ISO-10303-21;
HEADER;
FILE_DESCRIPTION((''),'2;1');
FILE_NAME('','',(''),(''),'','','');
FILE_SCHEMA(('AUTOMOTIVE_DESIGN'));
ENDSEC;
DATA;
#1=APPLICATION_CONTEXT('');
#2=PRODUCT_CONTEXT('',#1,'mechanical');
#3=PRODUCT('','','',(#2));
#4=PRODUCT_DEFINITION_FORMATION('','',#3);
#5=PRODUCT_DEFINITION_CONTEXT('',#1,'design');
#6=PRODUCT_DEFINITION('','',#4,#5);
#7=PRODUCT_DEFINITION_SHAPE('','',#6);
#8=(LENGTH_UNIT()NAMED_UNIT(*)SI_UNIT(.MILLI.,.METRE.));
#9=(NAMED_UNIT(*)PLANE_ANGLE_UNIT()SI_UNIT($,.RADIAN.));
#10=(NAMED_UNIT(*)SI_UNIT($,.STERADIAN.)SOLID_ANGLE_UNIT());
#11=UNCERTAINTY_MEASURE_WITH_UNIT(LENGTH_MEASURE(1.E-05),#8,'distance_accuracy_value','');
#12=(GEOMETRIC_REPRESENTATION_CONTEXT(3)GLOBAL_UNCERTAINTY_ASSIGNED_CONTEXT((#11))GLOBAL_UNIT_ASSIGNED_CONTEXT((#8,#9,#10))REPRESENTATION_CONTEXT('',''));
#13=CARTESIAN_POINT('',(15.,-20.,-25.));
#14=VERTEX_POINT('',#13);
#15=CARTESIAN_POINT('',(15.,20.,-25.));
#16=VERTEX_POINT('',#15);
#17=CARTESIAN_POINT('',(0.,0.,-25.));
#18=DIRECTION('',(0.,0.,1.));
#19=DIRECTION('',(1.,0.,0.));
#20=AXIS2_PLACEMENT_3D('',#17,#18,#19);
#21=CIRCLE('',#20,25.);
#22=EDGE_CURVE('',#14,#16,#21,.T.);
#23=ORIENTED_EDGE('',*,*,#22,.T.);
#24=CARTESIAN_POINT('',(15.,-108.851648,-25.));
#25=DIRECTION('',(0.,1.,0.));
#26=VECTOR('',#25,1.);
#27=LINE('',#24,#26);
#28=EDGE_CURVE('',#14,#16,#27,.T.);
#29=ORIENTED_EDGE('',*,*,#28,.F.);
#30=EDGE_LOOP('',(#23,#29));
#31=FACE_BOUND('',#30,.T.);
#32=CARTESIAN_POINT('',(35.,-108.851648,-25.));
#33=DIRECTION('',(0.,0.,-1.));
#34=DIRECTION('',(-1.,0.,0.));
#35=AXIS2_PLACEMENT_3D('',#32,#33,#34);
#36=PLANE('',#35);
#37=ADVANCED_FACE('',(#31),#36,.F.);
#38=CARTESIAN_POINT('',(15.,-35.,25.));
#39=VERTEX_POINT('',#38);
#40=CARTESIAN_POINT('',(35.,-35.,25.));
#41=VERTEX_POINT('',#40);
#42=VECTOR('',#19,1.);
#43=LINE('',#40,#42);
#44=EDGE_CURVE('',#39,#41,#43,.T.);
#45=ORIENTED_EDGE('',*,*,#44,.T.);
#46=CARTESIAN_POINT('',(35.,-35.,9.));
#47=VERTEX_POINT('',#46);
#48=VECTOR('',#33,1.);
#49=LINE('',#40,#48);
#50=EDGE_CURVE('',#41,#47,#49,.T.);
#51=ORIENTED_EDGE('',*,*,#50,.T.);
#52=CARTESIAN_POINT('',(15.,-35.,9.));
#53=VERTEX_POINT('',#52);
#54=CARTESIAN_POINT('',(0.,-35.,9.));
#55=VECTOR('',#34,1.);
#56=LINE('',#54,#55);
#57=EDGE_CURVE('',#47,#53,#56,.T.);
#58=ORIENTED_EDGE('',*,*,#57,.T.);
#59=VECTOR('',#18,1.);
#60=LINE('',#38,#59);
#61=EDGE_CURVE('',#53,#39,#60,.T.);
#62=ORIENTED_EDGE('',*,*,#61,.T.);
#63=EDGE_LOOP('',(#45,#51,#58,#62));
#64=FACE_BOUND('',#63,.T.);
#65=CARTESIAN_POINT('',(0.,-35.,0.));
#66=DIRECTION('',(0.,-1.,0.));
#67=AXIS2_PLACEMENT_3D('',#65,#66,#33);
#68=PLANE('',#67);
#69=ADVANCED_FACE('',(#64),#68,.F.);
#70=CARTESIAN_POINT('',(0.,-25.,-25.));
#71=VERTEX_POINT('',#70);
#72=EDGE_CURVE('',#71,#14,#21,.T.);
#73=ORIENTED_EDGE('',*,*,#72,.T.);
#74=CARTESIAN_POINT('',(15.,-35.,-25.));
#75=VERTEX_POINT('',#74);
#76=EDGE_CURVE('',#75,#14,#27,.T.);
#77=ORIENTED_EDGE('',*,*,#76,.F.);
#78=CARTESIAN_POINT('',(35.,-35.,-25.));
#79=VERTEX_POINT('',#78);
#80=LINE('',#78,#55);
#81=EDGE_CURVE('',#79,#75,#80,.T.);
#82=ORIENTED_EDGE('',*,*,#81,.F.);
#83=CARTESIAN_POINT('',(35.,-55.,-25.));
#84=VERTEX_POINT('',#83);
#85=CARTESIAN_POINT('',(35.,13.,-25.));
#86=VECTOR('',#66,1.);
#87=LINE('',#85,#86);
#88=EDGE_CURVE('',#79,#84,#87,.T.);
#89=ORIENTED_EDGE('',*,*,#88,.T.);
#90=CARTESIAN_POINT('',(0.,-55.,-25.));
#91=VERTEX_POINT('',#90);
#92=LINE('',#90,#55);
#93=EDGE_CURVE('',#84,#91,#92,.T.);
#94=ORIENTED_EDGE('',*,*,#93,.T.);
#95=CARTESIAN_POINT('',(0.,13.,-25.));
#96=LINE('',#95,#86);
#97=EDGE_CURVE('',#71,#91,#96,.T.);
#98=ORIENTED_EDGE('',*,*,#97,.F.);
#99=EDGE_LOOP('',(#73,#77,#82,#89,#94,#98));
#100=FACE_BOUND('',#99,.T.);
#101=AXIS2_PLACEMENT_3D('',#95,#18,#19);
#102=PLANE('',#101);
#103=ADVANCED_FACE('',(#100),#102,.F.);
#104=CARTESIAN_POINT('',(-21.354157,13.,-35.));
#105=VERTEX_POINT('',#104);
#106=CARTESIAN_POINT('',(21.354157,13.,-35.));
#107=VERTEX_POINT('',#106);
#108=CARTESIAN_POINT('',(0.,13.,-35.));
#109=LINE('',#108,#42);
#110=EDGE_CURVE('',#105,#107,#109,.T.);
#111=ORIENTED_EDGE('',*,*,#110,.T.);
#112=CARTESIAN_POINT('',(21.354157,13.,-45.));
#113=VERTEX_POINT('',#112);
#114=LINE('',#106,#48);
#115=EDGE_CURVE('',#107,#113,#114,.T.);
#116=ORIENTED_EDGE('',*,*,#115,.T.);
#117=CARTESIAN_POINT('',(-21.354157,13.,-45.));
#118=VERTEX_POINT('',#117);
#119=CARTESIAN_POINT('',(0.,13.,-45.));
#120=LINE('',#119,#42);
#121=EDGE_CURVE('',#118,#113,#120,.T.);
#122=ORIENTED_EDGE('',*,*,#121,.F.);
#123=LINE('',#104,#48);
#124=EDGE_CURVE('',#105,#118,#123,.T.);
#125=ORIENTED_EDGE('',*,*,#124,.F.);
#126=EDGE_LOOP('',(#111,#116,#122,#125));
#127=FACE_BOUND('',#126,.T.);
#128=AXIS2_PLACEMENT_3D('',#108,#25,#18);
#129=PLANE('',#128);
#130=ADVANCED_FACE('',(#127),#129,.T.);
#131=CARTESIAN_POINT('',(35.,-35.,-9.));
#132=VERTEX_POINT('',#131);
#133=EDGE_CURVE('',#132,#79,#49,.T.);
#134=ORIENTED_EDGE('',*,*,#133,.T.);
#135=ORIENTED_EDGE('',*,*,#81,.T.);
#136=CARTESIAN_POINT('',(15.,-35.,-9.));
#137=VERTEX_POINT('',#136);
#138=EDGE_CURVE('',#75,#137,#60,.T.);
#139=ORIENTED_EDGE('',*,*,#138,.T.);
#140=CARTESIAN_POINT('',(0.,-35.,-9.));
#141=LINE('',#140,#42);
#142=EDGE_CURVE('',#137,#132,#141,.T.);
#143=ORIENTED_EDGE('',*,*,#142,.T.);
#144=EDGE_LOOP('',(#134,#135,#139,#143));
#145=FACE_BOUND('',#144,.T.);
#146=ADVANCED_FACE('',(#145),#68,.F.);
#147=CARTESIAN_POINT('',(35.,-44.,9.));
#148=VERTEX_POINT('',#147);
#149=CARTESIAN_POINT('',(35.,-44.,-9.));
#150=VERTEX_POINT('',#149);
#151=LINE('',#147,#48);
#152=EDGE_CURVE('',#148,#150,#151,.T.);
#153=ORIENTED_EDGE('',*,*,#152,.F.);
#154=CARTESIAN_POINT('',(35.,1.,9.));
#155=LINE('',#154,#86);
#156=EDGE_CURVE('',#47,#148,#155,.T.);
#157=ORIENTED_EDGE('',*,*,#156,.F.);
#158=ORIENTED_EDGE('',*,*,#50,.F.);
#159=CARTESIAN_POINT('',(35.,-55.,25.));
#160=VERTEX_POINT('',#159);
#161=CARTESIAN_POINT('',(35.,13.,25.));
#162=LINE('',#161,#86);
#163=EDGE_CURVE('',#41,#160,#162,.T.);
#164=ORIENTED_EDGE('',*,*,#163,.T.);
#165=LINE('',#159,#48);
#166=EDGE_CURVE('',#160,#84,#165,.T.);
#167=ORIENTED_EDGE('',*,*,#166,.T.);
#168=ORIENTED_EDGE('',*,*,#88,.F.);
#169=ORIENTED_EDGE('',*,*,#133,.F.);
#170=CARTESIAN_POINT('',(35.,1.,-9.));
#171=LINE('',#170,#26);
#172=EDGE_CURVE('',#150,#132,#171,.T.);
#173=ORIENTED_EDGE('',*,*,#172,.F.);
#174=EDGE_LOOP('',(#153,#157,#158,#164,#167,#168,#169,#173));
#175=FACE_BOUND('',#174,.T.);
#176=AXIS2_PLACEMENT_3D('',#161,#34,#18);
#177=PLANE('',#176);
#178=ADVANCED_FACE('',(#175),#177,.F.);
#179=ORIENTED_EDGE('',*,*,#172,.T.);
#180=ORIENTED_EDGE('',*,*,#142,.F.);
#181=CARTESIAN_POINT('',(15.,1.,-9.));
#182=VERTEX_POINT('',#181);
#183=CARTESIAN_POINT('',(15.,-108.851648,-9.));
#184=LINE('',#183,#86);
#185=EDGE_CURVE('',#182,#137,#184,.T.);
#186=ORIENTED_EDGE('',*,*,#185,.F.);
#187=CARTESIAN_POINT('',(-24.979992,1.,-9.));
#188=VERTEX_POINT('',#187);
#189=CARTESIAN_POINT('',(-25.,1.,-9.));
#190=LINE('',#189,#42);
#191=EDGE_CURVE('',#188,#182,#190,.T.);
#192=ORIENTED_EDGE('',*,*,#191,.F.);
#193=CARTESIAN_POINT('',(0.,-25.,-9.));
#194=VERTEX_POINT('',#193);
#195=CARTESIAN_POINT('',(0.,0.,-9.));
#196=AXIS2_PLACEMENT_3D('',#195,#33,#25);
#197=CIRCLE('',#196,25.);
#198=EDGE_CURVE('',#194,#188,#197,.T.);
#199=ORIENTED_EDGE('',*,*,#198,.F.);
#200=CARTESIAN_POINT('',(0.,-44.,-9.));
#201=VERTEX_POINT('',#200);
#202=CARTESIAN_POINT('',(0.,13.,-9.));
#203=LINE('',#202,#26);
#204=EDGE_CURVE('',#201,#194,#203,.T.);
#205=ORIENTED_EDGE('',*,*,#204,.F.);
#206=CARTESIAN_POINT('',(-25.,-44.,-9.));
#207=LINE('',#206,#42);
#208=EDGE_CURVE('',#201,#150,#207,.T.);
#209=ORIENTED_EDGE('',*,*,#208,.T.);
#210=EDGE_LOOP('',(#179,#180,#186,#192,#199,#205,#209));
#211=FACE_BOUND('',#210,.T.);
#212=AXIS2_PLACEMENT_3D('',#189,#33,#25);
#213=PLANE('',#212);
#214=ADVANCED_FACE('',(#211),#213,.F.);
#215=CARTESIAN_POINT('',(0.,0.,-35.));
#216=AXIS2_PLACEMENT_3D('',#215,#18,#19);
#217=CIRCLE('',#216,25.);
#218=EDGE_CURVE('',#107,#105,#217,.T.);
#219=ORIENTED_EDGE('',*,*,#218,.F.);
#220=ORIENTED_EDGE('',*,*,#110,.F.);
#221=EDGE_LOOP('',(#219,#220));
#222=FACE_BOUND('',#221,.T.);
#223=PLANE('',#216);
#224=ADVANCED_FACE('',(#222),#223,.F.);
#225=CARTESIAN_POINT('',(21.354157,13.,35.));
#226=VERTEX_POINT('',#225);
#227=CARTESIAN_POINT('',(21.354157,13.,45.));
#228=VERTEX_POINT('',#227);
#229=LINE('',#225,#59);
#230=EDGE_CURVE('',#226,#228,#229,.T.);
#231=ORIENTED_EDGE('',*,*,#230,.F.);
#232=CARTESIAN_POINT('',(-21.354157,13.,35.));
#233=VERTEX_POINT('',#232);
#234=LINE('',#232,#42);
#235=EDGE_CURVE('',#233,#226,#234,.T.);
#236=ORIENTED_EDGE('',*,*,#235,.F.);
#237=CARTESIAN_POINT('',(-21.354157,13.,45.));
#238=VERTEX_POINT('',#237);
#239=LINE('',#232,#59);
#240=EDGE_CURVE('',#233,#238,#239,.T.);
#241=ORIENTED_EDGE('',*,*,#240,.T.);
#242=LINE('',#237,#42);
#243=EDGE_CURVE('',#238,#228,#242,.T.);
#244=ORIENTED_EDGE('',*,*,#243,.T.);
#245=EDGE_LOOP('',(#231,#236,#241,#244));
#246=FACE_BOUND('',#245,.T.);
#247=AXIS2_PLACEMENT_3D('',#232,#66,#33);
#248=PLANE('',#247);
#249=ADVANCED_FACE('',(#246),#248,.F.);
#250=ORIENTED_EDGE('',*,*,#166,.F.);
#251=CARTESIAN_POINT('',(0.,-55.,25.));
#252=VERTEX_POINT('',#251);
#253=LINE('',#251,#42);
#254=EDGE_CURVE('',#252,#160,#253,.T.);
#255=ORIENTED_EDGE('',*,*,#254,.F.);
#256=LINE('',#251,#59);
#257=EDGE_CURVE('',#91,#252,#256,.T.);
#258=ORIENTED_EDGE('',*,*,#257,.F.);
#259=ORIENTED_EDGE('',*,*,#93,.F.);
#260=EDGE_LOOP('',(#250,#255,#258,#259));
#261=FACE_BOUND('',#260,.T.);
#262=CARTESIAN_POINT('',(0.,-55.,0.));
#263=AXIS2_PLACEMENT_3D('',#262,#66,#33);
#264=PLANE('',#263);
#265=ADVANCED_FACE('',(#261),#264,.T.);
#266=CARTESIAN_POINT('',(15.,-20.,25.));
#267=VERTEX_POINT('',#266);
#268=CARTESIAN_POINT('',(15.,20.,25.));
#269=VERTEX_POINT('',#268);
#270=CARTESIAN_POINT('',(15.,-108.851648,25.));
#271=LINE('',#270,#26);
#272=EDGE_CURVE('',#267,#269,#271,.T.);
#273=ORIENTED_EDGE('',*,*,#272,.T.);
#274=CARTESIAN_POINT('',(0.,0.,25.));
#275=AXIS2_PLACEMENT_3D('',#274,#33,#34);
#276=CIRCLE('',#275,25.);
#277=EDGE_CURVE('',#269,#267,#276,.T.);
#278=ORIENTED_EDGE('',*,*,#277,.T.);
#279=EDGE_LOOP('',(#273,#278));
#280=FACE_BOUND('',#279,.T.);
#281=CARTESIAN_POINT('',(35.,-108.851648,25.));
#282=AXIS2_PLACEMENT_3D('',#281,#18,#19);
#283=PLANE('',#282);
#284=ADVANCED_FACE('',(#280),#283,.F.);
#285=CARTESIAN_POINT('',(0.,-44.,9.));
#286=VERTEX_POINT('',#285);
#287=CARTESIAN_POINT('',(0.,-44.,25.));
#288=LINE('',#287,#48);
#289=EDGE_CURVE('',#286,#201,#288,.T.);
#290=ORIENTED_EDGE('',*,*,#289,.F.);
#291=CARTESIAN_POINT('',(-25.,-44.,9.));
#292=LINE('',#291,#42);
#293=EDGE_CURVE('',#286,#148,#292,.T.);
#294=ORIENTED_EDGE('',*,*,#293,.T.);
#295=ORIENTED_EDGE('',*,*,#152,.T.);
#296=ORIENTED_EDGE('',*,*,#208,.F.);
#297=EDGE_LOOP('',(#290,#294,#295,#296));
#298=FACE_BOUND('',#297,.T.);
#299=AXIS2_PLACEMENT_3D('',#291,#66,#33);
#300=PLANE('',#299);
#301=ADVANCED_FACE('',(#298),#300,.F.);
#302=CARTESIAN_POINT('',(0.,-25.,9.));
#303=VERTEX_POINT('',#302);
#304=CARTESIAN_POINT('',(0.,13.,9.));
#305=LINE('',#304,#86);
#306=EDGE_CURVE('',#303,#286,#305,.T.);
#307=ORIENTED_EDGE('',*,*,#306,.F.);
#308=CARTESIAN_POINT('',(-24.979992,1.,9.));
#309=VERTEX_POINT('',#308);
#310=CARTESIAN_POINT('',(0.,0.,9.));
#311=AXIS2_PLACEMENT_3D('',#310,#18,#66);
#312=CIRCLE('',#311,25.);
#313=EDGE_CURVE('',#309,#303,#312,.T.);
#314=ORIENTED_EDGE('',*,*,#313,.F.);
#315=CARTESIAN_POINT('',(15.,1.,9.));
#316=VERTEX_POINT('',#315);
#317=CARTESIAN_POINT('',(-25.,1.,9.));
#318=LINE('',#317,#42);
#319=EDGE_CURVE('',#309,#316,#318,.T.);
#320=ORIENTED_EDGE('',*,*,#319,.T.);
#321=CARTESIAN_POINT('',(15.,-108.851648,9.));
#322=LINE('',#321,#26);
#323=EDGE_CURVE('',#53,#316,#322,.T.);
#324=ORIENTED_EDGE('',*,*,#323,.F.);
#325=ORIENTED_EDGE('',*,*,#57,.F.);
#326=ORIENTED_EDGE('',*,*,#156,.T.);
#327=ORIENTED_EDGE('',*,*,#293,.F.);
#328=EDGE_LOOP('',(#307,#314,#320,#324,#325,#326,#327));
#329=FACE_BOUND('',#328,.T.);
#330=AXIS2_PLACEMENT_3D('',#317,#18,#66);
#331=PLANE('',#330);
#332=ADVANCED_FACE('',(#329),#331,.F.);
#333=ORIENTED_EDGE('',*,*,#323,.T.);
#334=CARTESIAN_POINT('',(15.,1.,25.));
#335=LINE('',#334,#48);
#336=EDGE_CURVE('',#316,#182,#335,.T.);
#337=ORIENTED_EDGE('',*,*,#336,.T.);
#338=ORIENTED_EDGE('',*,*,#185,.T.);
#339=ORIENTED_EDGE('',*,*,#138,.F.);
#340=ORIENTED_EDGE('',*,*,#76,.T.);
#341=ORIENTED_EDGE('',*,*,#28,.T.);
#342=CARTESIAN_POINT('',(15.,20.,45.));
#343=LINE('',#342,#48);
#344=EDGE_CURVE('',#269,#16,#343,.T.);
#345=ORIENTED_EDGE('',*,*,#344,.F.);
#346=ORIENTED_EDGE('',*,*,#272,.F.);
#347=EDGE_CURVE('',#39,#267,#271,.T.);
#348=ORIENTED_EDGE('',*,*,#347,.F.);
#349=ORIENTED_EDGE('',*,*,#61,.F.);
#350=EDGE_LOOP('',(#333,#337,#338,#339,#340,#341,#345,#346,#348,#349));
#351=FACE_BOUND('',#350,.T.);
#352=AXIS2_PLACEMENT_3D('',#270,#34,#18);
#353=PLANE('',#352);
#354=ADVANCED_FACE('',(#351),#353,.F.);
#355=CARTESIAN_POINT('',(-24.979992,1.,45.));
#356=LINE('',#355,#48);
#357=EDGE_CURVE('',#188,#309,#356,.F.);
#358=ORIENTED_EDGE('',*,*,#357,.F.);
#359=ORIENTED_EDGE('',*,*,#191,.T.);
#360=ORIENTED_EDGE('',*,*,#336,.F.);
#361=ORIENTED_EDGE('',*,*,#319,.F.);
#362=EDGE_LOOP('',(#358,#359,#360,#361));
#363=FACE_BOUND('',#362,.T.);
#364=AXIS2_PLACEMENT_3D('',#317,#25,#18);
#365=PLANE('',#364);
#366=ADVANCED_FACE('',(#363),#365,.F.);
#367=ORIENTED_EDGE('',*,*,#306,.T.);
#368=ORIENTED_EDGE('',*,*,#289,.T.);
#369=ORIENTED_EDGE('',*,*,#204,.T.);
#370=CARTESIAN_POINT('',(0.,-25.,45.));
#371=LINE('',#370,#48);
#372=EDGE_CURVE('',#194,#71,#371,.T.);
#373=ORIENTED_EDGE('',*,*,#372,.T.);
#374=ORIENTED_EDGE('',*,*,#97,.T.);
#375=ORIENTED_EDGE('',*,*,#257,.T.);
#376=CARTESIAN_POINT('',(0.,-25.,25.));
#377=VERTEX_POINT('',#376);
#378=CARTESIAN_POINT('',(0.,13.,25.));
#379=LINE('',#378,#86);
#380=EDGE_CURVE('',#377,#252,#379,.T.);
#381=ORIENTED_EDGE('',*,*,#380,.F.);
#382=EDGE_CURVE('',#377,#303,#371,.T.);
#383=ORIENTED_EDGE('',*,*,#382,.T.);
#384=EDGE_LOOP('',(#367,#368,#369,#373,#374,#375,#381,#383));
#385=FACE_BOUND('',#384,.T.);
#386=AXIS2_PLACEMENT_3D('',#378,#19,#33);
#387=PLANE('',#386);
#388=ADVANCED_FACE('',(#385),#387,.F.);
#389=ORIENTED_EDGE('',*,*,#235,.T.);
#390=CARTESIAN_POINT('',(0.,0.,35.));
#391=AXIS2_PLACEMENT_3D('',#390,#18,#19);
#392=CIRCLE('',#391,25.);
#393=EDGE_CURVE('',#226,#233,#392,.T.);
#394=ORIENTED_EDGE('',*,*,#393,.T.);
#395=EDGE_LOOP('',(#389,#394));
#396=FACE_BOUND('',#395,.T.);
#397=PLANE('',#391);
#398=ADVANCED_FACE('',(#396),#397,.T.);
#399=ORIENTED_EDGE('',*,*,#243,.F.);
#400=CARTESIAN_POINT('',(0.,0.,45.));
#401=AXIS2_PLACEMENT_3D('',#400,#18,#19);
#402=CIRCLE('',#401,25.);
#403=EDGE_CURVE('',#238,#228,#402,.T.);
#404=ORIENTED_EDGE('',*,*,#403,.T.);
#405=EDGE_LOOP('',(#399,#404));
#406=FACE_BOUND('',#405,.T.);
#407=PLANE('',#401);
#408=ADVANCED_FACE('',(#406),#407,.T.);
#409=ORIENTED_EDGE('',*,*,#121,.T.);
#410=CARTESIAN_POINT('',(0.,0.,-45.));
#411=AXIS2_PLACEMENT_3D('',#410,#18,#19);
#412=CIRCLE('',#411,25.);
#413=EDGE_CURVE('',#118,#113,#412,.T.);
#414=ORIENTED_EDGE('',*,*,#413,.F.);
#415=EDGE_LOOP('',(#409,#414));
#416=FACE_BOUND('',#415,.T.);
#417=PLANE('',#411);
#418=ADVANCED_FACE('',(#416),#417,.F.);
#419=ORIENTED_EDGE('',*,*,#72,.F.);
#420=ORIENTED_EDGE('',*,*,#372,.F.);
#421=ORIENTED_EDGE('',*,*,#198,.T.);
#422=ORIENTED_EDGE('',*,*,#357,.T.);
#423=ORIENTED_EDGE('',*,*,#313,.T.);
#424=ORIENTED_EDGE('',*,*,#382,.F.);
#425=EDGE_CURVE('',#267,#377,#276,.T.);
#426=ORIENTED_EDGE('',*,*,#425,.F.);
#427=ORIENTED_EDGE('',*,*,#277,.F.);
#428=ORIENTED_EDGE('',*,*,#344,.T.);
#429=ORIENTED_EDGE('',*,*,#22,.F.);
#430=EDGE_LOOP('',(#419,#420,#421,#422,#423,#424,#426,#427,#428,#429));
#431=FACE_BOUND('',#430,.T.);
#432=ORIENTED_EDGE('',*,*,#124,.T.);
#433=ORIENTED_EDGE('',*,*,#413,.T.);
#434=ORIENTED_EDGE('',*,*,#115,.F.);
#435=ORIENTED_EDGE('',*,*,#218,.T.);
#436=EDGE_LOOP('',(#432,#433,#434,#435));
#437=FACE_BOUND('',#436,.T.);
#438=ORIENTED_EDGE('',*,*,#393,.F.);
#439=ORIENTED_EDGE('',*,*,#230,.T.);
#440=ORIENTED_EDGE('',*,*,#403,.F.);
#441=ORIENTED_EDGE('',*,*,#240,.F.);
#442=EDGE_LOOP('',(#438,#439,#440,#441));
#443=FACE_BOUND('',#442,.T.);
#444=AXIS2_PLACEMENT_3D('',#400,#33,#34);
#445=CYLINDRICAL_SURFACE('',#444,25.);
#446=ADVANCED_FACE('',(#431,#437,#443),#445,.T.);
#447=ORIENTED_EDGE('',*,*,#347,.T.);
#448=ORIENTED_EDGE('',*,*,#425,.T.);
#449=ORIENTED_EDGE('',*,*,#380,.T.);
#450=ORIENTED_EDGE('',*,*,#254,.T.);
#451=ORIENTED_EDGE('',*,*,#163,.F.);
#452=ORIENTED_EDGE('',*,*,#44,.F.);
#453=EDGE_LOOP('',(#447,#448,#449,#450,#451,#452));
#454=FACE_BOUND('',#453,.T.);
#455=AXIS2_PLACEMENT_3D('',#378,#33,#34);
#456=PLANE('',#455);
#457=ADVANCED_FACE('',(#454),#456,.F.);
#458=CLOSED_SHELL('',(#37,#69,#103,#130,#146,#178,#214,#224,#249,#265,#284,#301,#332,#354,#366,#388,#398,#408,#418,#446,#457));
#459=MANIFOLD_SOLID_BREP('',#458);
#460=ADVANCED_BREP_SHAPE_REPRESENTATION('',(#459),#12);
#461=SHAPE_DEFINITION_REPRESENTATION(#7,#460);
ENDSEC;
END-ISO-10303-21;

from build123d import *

# Parameters (mm, degrees)
CROQUIS1_R                 = 25
SALIENTE_EXTRUIR1_DEPTH    = 45
CORTAR_EXTRUIR1_DEPTH      = 10
CORTAR_EXTRUIR2_START      = -80
CORTAR_EXTRUIR2_DEPTH      = 10
CROQUIS3_W                 = 35
CROQUIS3_H                 = 50
SALIENTE_EXTRUIR2_DEPTH    = 68
CORTAR_EXTRUIR4_DEPTH      = 89.735562206
CORTAR_EXTRUIR4_DEPTH_BACK = 48
CROQUIS4_W                 = 20
CROQUIS4_H                 = 50
CROQUIS5_W                 = 18
CROQUIS5_H                 = 45
CORTAR_EXTRUIR5_DEPTH      = 94.005376189


with BuildPart() as part:
    # Croquis1 → Saliente-Extruir1 (new, symmetric)
    with BuildSketch(Plane.XY):
        with Locations(Location((0, 0, 0), (0, 0, 180))):
            Circle(CROQUIS1_R)
    extrude(amount=SALIENTE_EXTRUIR1_DEPTH, both=True)

    # Croquis2 → Cortar-Extruir1 (cut)
    with BuildSketch(Plane.XY.offset(45)):
        with BuildLine():
            Line((-21.354156504, 13), (21.354156504, 13))
            ThreePointArc((21.354156504, 13), (0, 25), (-21.354156504, 13))
        make_face()
    extrude(amount=-CORTAR_EXTRUIR1_DEPTH, mode=Mode.SUBTRACT)

    # Croquis2<2> → Cortar-Extruir2 (cut)
    with BuildSketch(Plane.XY.offset(45).offset(CORTAR_EXTRUIR2_START)):
        with BuildLine():
            Line((-21.354156504, 13), (21.354156504, 13))
            ThreePointArc((21.354156504, 13), (0, 25), (-21.354156504, 13))
        make_face()
    extrude(amount=-CORTAR_EXTRUIR2_DEPTH, mode=Mode.SUBTRACT)

    # Croquis3 → Saliente-Extruir2 (add)
    with BuildSketch(Plane(origin=(0, -55, 0), x_dir=(1, 0, 0), z_dir=(0, 1, 0))):
        with Locations((17.5, 0)):
            Rectangle(CROQUIS3_W, CROQUIS3_H)
    extrude(amount=SALIENTE_EXTRUIR2_DEPTH)

    # Croquis4 → Cortar-Extruir4 (cut, two sides: drawn at the far end of the back side and taken through both)
    with BuildSketch(Plane(origin=(0, 13, 0), x_dir=(1, 0, 0), z_dir=(0, 1, 0)).offset(-CORTAR_EXTRUIR4_DEPTH_BACK)):
        with Locations((25, 0)):
            Rectangle(CROQUIS4_W, CROQUIS4_H)
    extrude(amount=CORTAR_EXTRUIR4_DEPTH + CORTAR_EXTRUIR4_DEPTH_BACK, mode=Mode.SUBTRACT)

    # Croquis5 → Cortar-Extruir5 (cut, through all)
    with BuildSketch(Plane(origin=(35, 0, 0), x_dir=(0, 0, -1), z_dir=(1, 0, 0))):
        with Locations((0, -21.5)):
            Rectangle(CROQUIS5_W, CROQUIS5_H)
    extrude(amount=-CORTAR_EXTRUIR5_DEPTH, mode=Mode.SUBTRACT)


solid = part.part
